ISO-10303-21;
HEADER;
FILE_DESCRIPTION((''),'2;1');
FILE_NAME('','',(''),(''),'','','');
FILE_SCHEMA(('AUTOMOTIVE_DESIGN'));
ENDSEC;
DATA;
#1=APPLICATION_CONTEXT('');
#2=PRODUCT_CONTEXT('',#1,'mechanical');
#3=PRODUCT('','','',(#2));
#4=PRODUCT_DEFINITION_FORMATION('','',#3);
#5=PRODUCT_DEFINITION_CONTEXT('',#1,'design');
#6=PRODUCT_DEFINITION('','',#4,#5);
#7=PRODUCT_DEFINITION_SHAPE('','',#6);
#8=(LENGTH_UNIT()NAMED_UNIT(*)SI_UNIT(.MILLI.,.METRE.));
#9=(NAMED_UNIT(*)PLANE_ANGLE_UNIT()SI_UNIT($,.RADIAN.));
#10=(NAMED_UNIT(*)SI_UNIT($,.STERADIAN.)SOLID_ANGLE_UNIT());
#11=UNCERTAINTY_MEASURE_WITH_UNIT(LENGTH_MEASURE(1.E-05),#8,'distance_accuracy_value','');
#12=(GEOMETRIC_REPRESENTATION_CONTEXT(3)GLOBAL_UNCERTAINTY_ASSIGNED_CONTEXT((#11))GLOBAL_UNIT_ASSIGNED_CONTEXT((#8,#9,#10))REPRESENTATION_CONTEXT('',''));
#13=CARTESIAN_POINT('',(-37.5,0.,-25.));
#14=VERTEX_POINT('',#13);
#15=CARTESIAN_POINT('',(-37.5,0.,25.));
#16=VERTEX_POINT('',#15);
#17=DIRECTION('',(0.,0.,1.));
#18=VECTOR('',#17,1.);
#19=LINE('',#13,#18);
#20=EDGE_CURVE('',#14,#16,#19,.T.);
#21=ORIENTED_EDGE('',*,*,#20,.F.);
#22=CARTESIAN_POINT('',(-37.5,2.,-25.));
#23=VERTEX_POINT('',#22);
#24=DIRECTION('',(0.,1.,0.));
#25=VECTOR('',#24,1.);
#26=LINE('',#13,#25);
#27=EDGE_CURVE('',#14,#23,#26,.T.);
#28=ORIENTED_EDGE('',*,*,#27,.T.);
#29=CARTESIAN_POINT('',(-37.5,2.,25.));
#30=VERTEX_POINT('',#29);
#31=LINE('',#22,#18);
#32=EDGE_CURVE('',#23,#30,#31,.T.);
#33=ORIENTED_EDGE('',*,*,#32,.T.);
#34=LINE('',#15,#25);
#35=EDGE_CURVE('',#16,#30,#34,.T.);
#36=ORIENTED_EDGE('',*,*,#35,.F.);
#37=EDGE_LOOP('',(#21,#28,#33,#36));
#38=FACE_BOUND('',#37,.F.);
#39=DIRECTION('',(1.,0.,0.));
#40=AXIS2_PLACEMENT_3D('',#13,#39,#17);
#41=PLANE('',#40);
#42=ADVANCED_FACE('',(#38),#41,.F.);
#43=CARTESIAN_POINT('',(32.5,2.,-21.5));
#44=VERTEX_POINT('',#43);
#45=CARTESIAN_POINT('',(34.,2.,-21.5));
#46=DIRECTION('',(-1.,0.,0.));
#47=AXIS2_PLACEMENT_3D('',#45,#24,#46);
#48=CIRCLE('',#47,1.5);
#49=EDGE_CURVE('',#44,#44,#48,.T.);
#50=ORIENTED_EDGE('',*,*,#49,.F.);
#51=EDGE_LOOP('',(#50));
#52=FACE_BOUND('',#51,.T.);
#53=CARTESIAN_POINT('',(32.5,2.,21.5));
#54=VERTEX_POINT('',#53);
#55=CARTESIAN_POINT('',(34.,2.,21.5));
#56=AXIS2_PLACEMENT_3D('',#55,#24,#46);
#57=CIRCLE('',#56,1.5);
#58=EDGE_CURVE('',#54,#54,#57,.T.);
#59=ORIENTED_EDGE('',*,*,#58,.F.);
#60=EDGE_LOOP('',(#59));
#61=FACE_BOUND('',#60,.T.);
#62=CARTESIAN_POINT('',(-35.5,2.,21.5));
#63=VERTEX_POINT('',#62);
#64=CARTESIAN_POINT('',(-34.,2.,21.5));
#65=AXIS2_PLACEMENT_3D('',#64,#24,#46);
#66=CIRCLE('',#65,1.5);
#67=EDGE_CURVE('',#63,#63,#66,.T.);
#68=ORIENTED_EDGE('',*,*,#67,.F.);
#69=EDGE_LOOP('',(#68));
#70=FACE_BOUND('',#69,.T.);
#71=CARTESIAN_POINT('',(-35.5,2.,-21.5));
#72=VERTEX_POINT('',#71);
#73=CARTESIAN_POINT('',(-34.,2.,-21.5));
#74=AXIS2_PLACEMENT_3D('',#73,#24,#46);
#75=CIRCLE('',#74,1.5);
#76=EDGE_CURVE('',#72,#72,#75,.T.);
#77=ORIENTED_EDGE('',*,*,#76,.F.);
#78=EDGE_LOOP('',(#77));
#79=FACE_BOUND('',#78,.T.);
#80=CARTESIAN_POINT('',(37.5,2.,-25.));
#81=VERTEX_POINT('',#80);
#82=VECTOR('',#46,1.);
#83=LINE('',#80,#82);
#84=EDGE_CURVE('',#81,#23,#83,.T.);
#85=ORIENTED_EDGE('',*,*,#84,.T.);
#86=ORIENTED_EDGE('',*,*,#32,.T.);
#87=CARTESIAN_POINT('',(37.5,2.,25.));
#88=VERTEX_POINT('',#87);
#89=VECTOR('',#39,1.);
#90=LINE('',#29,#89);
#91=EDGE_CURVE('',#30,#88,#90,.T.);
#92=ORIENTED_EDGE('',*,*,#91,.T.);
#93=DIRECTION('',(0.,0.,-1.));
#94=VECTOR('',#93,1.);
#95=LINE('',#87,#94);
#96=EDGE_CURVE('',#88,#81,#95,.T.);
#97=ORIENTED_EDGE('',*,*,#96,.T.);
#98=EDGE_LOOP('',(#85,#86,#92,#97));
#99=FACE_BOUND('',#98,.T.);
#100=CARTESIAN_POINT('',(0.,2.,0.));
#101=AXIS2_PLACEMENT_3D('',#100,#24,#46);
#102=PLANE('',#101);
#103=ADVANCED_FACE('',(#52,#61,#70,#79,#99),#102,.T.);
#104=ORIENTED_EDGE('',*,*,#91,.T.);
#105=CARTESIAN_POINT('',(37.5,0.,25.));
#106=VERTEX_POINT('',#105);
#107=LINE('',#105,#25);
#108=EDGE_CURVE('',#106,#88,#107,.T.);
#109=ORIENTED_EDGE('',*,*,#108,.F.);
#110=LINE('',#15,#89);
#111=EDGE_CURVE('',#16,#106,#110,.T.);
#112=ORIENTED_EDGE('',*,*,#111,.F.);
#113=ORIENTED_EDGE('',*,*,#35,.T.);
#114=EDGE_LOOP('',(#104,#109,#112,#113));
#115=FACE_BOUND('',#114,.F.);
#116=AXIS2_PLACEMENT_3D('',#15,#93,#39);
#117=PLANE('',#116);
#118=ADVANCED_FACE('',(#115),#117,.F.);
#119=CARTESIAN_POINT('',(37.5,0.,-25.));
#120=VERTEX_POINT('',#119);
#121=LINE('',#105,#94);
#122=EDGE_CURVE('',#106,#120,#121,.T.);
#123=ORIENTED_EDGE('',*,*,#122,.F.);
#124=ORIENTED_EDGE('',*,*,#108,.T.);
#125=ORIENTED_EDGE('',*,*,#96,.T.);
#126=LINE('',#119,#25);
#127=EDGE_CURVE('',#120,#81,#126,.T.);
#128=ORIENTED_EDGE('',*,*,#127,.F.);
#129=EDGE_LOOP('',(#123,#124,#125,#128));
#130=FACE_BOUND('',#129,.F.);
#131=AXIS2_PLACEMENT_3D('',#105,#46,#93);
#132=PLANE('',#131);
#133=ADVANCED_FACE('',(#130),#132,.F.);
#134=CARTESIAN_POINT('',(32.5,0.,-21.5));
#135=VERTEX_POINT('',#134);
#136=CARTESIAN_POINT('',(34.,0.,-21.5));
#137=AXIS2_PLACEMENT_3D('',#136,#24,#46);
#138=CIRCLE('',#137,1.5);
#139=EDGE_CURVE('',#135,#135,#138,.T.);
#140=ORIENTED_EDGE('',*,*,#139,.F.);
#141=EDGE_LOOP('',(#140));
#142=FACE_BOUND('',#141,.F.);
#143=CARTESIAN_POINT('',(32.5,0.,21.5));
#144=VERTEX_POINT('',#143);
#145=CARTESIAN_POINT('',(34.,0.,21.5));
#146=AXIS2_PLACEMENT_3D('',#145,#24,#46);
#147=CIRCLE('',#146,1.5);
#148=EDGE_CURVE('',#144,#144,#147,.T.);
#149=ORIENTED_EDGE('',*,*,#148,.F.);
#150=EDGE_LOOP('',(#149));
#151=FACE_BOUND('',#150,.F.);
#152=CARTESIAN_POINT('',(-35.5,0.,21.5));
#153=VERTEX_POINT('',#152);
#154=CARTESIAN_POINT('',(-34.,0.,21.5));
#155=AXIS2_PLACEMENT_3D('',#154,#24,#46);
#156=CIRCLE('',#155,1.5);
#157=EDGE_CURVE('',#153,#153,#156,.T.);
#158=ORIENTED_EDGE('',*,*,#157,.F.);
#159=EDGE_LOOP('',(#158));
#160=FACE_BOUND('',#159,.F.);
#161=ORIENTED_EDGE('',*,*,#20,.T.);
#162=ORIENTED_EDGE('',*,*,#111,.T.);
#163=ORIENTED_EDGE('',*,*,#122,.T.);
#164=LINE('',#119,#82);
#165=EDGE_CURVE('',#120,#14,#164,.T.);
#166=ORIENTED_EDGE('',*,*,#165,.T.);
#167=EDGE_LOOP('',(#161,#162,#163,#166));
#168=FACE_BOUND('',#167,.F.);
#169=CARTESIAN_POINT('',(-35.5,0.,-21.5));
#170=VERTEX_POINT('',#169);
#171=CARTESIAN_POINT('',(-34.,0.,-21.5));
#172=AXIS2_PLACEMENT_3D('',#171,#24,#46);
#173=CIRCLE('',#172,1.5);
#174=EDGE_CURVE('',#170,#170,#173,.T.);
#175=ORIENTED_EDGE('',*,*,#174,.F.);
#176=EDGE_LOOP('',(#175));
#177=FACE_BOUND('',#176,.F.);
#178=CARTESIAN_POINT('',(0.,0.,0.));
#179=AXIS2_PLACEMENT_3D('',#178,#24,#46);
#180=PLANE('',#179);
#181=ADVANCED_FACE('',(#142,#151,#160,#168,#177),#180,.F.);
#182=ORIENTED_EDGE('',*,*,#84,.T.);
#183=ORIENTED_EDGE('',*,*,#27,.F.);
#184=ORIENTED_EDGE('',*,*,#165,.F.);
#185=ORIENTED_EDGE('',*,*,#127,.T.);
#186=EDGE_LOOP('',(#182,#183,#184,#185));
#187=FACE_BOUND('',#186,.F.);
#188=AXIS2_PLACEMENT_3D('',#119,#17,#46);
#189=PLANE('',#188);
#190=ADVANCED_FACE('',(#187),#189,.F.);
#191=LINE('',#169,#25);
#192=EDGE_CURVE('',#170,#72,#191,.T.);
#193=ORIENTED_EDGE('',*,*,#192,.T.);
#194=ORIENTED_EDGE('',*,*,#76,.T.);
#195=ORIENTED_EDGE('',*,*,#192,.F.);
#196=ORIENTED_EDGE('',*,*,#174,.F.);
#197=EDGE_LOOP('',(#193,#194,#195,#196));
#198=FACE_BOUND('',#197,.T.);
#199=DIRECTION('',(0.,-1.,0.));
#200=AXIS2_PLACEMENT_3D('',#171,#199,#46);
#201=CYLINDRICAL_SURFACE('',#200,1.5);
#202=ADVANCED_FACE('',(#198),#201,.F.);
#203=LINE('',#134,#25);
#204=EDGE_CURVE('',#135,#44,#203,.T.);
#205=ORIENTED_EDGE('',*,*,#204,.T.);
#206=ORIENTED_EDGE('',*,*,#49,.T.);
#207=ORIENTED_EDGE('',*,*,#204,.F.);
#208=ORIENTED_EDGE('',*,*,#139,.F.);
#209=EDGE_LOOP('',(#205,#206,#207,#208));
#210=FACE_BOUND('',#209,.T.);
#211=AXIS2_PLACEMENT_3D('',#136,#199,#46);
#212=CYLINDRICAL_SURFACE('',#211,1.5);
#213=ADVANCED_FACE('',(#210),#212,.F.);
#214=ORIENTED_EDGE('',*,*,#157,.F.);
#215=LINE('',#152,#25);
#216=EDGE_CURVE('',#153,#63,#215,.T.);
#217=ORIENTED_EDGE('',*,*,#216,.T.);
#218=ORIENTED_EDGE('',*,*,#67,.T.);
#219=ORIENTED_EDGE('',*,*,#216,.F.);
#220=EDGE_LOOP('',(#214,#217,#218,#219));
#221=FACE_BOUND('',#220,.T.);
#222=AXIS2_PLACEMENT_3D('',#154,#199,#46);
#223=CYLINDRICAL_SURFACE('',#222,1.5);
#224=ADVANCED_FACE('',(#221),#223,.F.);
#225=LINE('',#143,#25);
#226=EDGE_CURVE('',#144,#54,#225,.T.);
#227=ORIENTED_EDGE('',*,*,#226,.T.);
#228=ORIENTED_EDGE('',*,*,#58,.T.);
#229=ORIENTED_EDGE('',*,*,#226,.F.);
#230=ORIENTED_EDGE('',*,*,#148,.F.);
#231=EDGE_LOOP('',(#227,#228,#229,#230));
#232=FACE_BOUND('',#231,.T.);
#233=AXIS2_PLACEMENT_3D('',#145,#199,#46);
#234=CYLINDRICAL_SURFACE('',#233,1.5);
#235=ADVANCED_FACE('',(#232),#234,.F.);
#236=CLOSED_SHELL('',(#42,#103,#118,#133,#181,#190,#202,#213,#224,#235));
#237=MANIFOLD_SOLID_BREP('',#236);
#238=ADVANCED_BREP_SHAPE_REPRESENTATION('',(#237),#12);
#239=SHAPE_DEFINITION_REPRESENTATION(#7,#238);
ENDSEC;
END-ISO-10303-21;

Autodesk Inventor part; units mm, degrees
ref_plane "YZ Plane" through (0, 0, 0) normal (1, 0, 0) x (0, 1, 0)
ref_plane "XZ Plane" through (0, 0, 0) normal (0, 1, 0) x (-1, 0, 0)
ref_plane "XY Plane" through (0, 0, 0) normal (0, 0, 1) x (1, 0, 0)
sketch "Boceto1" plane through (0, 0, 0) normal (0, 1, 0) x (-1, 0, 0)
  line L0 (37.5, 25) -> (-37.5, 25)
  line L1 (-37.5, 25) -> (-37.5, -25)
  line L2 (-37.5, -25) -> (37.5, -25)
  line L3 (37.5, -25) -> (37.5, 25)
  line L4 (34, 21.5) -> (-34, 21.5) construction
  line L5 (-34, 21.5) -> (-34, -21.5) construction
  line L6 (-34, -21.5) -> (34, -21.5) construction
  line L7 (34, -21.5) -> (34, 21.5) construction
  circle A0 centre (34, 21.5) radius 1.5
  circle A1 centre (34, -21.5) radius 1.5
  circle A2 centre (-34, -21.5) radius 1.5
  circle A3 centre (-34, 21.5) radius 1.5
  point P0 (0, 0)
  point P1 (37.5, 0)
  point P2 (0, 25)
  dimension "d0" = 3
  dimension "d1" = 3.5
  dimension "d2" = 50
  dimension "d3" = 75
  dimension "d6" = 43
  dimension "d7" = 68
extrude "Extrusión1" add sketch "Boceto1" along normal blind 2
properties part number "driver motor"
